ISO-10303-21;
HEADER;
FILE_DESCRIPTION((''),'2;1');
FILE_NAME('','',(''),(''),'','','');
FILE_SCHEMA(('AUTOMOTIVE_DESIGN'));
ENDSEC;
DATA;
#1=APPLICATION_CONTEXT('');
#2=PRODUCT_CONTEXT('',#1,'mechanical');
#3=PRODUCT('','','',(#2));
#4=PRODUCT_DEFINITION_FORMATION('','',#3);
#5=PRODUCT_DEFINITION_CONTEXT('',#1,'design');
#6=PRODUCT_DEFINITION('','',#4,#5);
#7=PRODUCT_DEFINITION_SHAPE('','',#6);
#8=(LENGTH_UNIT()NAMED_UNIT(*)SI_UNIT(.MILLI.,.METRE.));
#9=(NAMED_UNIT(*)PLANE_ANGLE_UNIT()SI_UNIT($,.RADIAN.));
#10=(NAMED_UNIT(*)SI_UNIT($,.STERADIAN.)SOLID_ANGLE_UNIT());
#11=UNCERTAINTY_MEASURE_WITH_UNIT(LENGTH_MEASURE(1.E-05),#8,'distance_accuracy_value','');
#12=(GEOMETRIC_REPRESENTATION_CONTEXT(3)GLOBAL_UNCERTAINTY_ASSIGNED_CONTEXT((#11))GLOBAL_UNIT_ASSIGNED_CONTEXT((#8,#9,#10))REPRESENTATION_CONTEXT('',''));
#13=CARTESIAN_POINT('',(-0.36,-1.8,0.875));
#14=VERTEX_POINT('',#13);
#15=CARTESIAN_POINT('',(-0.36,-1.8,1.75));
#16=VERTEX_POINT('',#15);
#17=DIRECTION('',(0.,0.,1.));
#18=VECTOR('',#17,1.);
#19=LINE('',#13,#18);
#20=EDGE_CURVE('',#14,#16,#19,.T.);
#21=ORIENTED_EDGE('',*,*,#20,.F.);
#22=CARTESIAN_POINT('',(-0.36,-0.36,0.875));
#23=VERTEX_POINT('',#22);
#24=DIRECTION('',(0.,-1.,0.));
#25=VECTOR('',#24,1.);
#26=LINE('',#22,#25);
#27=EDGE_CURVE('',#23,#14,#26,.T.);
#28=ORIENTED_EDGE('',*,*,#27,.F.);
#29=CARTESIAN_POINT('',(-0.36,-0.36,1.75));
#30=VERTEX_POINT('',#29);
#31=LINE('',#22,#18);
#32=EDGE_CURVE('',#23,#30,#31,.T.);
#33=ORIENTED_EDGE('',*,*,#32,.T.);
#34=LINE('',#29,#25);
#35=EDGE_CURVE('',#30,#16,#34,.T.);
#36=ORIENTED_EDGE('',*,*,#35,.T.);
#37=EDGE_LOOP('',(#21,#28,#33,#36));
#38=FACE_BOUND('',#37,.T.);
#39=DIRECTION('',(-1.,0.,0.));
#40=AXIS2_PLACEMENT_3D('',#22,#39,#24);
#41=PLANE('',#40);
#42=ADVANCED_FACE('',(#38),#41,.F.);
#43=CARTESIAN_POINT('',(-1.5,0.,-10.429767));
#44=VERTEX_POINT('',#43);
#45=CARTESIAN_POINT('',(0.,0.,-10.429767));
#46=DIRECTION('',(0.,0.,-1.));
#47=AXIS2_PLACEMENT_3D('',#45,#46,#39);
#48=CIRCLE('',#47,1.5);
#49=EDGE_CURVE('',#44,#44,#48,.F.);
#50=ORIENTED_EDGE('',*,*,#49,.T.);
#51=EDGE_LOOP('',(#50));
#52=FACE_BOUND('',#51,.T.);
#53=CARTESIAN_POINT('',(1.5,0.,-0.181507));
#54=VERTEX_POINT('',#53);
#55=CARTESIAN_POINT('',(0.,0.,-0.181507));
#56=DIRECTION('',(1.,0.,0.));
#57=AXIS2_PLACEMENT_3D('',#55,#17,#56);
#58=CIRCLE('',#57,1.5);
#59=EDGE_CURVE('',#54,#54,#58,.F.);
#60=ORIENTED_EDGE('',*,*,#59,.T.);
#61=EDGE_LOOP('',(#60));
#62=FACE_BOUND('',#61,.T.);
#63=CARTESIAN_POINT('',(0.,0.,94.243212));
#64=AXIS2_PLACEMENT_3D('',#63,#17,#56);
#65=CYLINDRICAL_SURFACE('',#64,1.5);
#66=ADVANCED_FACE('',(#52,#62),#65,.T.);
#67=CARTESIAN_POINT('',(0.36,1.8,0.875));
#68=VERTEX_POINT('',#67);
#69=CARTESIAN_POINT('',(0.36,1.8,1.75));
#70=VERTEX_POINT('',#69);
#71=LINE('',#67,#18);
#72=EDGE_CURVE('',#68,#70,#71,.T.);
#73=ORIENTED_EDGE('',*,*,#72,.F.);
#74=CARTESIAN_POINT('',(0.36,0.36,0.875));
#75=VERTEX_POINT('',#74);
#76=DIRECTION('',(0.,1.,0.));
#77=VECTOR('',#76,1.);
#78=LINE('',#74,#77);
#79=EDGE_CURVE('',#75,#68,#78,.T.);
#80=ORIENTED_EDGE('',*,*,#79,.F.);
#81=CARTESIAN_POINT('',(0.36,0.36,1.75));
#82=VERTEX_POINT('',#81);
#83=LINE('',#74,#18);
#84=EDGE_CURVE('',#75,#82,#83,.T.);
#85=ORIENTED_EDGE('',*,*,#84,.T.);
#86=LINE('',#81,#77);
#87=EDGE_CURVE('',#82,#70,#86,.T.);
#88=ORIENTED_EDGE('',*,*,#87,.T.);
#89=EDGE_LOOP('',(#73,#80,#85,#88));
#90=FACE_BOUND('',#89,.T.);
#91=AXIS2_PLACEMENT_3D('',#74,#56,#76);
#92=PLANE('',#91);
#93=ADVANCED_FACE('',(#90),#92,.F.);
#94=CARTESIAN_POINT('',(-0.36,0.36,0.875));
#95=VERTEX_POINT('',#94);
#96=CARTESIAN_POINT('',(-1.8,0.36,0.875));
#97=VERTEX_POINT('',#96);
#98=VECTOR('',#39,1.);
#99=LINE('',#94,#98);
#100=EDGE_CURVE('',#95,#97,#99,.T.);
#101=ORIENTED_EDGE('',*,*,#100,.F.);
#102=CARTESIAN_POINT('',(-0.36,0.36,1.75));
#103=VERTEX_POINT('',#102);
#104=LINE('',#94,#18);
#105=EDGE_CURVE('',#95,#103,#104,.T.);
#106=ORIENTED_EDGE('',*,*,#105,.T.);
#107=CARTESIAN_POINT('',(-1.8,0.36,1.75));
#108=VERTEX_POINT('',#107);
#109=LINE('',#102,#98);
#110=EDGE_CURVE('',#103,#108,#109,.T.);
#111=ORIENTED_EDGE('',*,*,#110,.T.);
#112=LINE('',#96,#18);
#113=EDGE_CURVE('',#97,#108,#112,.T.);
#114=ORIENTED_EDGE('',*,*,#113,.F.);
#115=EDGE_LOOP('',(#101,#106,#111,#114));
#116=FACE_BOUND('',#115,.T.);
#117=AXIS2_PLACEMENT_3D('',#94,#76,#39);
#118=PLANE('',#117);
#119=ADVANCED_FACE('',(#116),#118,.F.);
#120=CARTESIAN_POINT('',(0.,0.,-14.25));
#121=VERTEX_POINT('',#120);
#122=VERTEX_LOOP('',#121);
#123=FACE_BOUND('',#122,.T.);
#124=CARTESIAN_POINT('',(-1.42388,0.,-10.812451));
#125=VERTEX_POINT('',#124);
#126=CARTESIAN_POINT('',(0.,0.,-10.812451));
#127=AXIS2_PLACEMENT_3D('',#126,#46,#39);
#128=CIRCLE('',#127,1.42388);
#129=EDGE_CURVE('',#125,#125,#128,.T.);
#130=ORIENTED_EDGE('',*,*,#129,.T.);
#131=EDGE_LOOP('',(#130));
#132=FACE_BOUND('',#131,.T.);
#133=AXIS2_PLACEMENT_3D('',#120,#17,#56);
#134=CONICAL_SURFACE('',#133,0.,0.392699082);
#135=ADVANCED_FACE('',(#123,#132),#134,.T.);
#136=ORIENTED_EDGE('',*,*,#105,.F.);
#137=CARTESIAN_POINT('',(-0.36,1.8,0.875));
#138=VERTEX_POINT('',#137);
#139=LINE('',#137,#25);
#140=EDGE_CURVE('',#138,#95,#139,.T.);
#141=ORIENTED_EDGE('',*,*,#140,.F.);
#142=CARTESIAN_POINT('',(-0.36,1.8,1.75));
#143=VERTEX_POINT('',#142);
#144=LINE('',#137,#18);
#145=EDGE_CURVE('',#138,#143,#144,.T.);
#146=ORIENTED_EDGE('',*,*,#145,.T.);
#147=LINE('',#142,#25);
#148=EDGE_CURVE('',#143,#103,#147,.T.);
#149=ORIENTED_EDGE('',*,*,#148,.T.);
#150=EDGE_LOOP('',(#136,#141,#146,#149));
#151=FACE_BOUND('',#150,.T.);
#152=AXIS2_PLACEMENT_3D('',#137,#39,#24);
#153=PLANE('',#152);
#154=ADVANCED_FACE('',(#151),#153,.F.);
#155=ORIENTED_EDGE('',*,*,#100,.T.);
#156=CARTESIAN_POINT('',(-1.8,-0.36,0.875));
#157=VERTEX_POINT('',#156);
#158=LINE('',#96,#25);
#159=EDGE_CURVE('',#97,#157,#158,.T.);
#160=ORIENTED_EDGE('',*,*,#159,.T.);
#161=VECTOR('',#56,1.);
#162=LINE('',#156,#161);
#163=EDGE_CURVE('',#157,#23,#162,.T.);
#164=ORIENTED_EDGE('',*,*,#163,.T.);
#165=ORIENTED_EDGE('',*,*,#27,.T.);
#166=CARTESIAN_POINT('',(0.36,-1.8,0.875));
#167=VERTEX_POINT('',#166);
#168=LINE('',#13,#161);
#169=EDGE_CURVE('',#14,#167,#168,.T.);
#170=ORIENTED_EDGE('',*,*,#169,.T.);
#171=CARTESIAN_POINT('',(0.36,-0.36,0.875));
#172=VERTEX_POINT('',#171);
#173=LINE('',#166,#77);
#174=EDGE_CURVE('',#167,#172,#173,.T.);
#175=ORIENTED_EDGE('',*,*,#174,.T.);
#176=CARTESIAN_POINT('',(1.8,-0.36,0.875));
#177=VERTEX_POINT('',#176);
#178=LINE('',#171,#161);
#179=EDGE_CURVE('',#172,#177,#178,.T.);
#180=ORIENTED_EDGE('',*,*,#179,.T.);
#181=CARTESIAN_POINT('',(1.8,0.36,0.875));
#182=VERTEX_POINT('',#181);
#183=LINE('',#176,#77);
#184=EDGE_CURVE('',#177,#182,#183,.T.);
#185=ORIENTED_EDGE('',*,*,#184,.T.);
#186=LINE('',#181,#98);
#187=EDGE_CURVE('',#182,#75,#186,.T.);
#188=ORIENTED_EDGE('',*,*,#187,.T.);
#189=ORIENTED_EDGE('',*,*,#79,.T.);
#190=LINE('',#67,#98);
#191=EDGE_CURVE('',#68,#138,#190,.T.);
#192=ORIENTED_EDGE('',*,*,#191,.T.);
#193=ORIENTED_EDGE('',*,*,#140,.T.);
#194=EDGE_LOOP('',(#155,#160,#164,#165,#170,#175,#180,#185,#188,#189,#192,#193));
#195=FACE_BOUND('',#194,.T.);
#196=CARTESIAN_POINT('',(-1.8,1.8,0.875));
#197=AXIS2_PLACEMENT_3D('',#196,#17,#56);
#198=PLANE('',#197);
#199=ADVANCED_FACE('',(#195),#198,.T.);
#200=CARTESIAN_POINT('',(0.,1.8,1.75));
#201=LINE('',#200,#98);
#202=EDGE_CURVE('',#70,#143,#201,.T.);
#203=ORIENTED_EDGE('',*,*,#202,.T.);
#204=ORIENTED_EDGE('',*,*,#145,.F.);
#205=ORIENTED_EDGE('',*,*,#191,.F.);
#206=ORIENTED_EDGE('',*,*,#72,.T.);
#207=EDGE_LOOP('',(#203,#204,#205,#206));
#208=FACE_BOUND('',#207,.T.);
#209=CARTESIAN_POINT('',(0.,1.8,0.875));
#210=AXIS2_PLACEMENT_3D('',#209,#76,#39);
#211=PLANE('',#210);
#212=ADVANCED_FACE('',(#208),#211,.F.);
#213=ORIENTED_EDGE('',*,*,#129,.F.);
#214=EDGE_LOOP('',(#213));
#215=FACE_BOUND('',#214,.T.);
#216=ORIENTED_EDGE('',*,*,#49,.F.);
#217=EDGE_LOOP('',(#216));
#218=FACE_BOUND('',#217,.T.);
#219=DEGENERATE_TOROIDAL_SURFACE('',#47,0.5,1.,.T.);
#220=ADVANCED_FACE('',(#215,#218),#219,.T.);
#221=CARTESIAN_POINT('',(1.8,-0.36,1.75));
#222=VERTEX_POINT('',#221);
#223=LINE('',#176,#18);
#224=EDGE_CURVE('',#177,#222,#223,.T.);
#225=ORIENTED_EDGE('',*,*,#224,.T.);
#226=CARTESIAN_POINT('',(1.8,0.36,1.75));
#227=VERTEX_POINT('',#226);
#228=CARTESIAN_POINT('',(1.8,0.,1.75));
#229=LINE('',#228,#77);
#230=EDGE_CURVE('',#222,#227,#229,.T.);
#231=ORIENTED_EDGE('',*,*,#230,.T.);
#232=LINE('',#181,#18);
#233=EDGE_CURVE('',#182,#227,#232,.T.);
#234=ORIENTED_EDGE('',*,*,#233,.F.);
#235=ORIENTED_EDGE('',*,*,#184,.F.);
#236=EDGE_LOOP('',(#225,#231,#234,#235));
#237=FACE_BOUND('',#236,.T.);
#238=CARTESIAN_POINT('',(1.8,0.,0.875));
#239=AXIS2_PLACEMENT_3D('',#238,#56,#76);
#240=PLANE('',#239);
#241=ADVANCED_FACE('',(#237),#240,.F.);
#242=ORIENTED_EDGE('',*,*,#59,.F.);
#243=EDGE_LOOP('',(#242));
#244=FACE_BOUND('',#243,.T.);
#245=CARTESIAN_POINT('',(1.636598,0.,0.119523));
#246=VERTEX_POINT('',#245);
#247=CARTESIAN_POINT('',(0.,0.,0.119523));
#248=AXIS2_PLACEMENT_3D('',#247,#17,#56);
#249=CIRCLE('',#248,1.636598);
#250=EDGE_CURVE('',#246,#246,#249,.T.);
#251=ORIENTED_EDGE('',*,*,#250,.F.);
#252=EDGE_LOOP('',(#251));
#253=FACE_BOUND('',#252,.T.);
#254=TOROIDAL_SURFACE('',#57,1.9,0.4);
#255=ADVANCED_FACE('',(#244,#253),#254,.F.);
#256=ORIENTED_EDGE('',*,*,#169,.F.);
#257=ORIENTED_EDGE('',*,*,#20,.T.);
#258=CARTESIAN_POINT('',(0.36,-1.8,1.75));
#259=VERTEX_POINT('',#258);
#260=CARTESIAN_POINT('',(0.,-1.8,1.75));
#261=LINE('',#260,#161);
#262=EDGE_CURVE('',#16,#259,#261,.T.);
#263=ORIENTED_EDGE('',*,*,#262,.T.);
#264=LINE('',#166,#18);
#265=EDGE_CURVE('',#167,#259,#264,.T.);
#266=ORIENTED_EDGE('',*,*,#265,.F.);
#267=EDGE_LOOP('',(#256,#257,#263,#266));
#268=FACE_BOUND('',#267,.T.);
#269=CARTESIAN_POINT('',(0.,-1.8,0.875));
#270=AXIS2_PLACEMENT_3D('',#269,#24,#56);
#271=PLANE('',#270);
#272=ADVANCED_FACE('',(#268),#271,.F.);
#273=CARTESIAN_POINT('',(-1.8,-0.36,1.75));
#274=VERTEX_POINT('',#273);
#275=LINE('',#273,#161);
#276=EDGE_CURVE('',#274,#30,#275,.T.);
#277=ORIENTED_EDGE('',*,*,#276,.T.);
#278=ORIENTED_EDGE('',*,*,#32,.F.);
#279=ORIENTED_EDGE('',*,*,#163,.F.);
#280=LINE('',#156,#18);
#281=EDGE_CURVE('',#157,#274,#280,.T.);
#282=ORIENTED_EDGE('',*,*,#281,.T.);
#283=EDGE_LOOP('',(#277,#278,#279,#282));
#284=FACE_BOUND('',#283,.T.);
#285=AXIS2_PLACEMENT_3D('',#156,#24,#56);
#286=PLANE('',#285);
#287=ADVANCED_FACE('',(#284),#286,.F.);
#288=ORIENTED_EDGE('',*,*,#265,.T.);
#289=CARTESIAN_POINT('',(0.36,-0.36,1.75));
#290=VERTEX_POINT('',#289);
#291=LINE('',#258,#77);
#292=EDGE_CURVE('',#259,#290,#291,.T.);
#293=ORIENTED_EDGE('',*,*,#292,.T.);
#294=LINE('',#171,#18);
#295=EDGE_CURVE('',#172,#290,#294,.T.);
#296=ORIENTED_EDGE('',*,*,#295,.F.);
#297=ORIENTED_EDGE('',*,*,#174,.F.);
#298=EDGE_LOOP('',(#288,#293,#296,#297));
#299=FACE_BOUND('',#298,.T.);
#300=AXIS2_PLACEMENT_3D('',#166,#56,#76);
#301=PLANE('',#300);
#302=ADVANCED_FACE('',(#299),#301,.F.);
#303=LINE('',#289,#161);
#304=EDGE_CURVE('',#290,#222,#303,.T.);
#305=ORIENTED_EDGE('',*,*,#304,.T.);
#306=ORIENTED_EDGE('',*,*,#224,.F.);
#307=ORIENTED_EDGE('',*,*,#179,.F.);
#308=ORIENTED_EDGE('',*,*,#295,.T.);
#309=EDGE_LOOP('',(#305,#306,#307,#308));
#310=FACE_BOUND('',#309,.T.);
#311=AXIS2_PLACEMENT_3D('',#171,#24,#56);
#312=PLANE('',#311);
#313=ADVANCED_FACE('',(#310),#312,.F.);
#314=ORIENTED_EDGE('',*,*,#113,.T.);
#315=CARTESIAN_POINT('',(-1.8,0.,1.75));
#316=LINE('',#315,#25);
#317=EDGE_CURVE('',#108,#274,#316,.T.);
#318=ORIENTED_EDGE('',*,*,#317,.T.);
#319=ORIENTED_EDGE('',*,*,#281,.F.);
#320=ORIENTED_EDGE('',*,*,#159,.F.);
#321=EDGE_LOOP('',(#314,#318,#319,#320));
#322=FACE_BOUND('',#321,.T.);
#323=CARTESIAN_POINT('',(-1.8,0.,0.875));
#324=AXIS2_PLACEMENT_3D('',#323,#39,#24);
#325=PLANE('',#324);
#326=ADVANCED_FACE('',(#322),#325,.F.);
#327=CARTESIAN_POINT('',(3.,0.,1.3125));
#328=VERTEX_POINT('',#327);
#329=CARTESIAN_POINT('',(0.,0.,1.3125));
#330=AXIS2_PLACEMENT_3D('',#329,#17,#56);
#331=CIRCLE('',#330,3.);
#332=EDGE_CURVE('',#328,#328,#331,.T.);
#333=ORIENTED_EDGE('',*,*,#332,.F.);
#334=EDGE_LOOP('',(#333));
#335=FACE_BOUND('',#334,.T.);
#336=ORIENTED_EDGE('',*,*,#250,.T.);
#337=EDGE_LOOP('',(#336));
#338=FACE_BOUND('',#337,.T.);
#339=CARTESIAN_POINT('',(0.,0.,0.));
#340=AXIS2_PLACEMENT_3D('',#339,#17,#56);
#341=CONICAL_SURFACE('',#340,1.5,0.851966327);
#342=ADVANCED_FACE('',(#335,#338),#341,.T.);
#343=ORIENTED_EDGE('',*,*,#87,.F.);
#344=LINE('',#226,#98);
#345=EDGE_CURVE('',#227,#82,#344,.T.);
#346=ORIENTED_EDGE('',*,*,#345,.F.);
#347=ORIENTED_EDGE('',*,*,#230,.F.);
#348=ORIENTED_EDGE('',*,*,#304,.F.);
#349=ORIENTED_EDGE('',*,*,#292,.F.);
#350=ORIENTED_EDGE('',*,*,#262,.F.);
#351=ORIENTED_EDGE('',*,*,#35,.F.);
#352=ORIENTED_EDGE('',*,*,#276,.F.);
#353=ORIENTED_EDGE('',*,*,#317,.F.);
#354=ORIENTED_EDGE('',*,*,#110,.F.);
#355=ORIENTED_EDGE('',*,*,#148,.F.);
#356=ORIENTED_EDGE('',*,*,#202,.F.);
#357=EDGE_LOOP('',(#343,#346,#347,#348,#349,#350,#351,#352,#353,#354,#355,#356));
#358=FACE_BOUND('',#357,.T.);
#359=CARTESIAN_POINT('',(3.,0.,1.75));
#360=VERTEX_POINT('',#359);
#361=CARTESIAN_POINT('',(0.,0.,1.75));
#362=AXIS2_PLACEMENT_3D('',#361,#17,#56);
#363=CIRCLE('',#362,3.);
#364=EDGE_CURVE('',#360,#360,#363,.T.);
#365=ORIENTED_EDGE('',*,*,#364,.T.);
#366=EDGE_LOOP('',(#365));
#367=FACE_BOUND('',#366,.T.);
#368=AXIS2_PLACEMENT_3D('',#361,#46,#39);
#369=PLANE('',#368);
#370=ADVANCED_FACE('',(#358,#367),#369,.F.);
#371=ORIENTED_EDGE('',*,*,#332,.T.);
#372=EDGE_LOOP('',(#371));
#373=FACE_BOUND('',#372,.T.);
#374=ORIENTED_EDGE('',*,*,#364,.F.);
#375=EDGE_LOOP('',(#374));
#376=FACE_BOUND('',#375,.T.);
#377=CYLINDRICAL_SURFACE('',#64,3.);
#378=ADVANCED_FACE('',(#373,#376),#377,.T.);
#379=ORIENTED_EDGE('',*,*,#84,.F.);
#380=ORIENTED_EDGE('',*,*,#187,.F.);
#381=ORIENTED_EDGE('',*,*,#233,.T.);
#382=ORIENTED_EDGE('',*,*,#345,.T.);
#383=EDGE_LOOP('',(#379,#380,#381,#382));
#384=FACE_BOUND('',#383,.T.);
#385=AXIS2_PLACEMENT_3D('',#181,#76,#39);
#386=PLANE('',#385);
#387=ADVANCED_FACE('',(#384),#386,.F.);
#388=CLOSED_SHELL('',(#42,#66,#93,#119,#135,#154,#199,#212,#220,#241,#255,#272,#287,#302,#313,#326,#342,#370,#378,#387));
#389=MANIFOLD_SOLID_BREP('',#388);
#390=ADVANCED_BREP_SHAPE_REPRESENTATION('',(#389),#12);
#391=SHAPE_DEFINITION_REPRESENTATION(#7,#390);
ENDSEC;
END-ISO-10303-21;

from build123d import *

# Parameters (mm, degrees)
CUT_EXTRUDE1_DEPTH = 0.875
FILLET1_R          = 0.4
FILLET2_R          = 1


with BuildPart() as part:
    # Sketch1 → Revolve1 (revolve)
    with BuildSketch(Plane(origin=(0, 0, 0), x_dir=(0, 0, -1), z_dir=(1, 0, 0)), mode=Mode.PRIVATE) as revolve1_sk:
        Polygon((-1.3125, 3), (0, 1.5), (10.628679656, 1.5), (14.25, 0), (-1.75, 0), (-1.75, 3), align=None)
    revolve(revolve1_sk.sketch.rotate(Axis((0, 0, 94.243212435), (0, 0, -1)), 90), axis=Axis((0, 0, 94.243212435), (0, 0, -1)))

    # Sketch5 → Cut-Extrude1 (cut)
    with BuildSketch(Plane.XY.offset(1.75)):
        Polygon((0, 1.8), (-0.36, 1.8), (-0.36, 0.36), (-1.8, 0.36), (-1.8, 0), (-1.8, -0.36), (-0.36, -0.36), (-0.36, -1.8), (0, -1.8), (0.36, -1.8), (0.36, -0.36), (1.8, -0.36), (1.8, 0), (1.8, 0.36), (0.36, 0.36), (0.36, 1.8), align=None)
    extrude(amount=-CUT_EXTRUDE1_DEPTH, mode=Mode.SUBTRACT)

    # Fillet1
    fillet1_edges = [part.edges().sort_by_distance(p)[0] for p in [
        (-1.5, 0, 0),
    ]]
    fillet(fillet1_edges, radius=FILLET1_R)

    # Fillet2
    fillet2_edges = [part.edges().sort_by_distance(p)[0] for p in [
        (-1.5, 0, -10.628679656),
    ]]
    fillet(fillet2_edges, radius=FILLET2_R)


solid = part.part
